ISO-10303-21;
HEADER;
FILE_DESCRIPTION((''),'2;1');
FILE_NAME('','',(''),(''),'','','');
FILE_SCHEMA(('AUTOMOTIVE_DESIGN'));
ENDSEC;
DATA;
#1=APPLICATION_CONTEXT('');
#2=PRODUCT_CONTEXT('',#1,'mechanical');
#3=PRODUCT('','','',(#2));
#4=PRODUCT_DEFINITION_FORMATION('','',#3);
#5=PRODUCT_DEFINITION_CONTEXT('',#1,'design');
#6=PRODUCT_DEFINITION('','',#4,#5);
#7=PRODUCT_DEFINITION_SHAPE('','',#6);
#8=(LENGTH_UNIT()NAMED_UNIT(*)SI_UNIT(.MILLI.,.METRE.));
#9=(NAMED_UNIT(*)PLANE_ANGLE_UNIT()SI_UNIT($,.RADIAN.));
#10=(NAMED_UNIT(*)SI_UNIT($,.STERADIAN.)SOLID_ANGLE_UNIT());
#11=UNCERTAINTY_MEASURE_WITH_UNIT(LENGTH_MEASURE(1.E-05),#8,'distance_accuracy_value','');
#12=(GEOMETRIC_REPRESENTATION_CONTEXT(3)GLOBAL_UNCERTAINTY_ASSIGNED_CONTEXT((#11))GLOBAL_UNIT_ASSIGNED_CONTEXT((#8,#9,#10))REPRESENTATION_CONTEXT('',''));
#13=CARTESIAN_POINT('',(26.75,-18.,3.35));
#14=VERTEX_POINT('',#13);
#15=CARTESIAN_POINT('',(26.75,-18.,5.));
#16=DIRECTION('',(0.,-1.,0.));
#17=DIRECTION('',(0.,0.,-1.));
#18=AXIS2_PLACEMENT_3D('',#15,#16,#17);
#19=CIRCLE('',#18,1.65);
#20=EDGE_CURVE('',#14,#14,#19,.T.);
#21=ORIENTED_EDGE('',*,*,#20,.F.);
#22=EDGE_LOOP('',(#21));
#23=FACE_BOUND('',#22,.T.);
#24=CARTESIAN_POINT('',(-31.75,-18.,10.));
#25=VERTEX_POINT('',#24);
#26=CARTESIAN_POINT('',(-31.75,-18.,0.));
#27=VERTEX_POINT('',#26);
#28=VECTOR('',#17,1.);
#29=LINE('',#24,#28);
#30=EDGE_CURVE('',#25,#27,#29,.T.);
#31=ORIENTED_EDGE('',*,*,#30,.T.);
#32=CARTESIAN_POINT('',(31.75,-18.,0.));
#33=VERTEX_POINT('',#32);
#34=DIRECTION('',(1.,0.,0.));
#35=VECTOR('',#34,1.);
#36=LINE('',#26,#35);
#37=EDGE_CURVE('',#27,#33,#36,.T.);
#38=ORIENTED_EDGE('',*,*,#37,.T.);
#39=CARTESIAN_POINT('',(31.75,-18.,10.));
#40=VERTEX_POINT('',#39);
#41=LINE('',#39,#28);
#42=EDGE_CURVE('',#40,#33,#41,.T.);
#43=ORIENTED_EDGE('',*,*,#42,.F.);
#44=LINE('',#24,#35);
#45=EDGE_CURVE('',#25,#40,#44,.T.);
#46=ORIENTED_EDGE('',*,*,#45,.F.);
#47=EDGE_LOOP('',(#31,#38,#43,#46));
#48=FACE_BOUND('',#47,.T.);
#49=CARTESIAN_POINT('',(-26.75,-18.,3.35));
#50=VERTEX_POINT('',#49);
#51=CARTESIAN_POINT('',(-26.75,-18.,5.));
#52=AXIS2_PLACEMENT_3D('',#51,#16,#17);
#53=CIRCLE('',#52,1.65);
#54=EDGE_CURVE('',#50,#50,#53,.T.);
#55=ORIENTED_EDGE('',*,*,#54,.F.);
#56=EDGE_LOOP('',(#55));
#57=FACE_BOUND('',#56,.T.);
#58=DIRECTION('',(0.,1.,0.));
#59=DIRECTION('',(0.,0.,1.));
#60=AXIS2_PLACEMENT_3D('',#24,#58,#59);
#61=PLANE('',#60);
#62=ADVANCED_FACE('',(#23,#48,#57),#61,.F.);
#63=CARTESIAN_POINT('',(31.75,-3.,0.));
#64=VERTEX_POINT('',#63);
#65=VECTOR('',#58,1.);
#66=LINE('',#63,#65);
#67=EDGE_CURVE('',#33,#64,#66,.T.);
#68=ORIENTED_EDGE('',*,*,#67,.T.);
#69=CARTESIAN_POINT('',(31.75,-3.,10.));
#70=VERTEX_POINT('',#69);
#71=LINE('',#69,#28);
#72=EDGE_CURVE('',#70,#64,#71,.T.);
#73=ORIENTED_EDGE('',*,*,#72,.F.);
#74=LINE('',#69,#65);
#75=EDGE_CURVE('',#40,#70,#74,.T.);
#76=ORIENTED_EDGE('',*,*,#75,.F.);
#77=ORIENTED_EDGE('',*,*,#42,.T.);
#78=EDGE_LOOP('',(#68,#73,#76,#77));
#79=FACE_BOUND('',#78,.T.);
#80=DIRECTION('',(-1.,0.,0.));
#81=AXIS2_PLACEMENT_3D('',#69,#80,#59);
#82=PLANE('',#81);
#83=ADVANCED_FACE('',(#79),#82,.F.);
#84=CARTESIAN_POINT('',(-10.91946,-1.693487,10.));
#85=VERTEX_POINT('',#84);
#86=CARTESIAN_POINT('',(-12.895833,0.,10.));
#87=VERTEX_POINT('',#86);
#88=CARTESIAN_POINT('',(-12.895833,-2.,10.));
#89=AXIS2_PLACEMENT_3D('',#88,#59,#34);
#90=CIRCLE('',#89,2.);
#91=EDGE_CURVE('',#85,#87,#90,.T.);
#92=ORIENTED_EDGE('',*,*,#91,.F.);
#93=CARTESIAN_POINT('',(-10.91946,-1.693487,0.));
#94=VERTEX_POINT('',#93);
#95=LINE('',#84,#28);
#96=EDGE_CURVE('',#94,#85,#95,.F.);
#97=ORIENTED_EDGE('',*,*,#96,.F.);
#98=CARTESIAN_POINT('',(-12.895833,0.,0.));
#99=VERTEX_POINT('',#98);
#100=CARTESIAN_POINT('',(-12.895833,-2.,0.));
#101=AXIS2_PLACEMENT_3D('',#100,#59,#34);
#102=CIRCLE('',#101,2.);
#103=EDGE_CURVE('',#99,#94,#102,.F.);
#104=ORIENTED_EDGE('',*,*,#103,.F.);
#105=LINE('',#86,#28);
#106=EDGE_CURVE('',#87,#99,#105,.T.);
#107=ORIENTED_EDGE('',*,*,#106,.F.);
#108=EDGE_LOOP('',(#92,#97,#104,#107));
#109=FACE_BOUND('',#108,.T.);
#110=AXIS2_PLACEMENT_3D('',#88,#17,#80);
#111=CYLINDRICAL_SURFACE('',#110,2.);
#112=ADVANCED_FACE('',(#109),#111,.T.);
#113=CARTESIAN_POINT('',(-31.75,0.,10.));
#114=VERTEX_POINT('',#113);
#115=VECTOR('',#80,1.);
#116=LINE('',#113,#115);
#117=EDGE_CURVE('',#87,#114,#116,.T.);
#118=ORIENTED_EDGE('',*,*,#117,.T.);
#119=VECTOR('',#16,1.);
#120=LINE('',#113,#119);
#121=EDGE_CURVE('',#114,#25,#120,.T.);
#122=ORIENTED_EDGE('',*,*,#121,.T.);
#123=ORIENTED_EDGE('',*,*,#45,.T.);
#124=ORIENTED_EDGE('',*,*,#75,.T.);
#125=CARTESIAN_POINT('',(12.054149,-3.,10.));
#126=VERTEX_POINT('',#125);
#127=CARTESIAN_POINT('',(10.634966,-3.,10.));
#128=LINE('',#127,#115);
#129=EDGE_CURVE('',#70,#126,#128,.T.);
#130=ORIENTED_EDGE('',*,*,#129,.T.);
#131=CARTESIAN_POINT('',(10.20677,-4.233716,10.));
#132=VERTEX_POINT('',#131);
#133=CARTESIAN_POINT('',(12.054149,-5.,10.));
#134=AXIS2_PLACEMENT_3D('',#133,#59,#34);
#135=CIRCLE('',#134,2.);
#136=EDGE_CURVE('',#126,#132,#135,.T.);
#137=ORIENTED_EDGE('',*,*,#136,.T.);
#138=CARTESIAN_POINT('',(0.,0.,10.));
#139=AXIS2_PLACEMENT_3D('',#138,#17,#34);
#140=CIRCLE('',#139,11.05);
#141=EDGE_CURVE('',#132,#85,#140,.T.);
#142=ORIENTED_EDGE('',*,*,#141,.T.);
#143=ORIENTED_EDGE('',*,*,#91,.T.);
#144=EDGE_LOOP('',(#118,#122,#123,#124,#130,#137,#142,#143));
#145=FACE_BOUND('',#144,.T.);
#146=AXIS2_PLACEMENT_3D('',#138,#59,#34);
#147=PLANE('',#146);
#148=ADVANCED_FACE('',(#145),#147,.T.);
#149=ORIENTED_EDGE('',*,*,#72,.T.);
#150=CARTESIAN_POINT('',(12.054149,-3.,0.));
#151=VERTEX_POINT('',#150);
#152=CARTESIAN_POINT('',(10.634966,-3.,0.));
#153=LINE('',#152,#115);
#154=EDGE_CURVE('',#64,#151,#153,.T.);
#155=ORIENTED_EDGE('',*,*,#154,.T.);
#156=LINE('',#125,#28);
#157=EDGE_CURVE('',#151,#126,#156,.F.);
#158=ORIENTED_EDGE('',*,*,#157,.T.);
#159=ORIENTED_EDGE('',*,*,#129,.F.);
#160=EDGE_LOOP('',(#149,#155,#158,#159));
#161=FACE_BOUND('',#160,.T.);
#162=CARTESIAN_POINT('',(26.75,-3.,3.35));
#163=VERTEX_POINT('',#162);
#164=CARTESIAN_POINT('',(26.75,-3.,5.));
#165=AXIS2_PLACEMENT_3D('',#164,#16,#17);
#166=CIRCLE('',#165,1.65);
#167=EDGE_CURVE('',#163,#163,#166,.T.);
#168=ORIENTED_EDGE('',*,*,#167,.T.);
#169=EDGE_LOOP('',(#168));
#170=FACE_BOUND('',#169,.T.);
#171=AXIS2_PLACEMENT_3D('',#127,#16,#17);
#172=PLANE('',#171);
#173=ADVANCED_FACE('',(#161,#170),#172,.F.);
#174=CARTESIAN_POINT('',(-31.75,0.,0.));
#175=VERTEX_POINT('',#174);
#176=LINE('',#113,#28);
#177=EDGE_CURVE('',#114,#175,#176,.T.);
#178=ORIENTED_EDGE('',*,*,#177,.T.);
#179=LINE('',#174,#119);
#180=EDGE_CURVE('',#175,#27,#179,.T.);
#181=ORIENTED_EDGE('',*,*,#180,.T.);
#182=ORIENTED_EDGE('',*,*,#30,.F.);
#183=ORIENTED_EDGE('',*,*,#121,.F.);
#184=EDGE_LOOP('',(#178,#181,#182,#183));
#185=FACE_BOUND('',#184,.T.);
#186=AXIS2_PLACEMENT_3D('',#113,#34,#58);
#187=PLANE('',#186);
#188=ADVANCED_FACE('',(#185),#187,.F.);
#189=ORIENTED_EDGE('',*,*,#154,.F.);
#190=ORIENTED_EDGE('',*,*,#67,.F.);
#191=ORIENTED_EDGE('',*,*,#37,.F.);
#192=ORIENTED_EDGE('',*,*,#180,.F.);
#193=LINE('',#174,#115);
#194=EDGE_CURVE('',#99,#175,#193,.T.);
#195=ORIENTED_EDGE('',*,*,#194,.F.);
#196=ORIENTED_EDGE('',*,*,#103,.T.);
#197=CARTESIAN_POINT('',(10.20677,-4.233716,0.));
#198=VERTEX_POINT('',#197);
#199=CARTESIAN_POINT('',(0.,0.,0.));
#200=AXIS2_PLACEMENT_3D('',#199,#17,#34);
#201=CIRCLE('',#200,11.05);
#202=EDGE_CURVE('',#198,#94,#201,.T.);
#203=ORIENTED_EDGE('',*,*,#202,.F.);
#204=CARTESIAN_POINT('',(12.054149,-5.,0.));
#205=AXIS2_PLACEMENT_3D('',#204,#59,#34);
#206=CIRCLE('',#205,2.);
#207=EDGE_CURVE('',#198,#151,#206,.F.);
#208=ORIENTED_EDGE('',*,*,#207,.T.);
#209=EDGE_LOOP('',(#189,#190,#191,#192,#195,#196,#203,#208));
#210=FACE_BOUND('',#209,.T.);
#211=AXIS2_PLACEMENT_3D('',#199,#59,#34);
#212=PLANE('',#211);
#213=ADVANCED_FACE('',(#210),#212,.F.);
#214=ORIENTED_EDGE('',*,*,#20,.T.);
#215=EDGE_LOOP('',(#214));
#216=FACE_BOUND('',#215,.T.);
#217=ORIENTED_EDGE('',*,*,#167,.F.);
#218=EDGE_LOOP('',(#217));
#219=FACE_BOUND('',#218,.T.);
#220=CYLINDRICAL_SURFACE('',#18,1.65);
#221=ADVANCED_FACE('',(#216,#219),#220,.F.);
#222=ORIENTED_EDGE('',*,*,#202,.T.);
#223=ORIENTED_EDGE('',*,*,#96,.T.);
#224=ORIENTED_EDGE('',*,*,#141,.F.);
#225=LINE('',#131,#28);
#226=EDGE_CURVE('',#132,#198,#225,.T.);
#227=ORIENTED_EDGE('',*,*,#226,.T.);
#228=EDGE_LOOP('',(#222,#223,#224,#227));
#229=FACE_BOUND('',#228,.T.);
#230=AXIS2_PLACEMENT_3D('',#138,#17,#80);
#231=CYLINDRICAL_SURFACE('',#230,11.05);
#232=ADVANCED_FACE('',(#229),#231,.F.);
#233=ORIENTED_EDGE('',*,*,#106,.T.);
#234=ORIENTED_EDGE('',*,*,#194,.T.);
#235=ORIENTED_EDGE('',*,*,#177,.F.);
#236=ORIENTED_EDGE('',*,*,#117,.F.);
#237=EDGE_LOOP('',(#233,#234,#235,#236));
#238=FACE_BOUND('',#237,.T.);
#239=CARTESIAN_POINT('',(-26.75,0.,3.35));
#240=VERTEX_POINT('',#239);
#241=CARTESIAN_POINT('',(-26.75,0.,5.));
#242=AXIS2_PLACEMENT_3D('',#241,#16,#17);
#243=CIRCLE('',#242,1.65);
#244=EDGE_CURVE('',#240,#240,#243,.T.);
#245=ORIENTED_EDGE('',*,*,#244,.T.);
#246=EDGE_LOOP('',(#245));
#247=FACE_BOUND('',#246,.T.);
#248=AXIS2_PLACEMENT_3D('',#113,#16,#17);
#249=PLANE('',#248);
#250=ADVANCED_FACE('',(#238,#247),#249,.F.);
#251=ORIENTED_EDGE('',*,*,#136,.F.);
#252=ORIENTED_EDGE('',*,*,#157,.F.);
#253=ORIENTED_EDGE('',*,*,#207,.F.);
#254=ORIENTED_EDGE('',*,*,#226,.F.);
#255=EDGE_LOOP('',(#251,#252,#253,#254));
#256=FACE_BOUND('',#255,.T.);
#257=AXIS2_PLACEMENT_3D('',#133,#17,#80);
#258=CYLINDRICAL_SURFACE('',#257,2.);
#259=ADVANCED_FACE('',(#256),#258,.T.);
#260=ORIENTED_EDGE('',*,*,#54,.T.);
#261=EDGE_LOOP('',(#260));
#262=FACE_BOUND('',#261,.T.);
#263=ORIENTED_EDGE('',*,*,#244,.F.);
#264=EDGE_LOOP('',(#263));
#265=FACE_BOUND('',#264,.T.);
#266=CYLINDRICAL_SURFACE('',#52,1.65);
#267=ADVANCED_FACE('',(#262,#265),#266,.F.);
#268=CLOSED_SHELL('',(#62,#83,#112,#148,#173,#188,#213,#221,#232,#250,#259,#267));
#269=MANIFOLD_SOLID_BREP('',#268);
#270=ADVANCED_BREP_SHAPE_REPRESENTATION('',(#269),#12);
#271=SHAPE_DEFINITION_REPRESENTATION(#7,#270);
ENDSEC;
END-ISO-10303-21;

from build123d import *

# Parameters (mm, degrees)
EXTRUDE_1_DEPTH = 10
M4X0_71_D       = 3.3
FILLET_2_R      = 2


with BuildPart() as part:
    # Эскиз1 → Бобышка-Вытянуть1 (new body)
    with BuildSketch(Plane.XY):
        with BuildLine():
            Line((-31.75, 0), (-11.05, 0))
            ThreePointArc((-11.05, 0), (-1.514286407, -10.945749708), (10.634965914, -3))
            Line((10.634965914, -3), (31.75, -3))
            Line((31.75, -3), (31.75, -18))
            Line((31.75, -18), (-31.75, -18))
            Line((-31.75, -18), (-31.75, 0))
        make_face()
    extrude(amount=EXTRUDE_1_DEPTH)

    # Отверстие обработанное метчиком M4x0.71 (through all)
    with Locations(Plane(origin=(0, -18, 0), x_dir=(-1, 0, 0), z_dir=(0, -1, 0))):
        with Locations((26.75, -5), (-26.75, -5)):
            Hole(M4X0_71_D / 2)

    # Скругление2
    fillet_2_edges = [part.edges().sort_by_distance(p)[0] for p in [
        (-11.05, 0, 5),
        (10.634965914, -3, 5),
    ]]
    fillet(fillet_2_edges, radius=FILLET_2_R)


solid = part.part
